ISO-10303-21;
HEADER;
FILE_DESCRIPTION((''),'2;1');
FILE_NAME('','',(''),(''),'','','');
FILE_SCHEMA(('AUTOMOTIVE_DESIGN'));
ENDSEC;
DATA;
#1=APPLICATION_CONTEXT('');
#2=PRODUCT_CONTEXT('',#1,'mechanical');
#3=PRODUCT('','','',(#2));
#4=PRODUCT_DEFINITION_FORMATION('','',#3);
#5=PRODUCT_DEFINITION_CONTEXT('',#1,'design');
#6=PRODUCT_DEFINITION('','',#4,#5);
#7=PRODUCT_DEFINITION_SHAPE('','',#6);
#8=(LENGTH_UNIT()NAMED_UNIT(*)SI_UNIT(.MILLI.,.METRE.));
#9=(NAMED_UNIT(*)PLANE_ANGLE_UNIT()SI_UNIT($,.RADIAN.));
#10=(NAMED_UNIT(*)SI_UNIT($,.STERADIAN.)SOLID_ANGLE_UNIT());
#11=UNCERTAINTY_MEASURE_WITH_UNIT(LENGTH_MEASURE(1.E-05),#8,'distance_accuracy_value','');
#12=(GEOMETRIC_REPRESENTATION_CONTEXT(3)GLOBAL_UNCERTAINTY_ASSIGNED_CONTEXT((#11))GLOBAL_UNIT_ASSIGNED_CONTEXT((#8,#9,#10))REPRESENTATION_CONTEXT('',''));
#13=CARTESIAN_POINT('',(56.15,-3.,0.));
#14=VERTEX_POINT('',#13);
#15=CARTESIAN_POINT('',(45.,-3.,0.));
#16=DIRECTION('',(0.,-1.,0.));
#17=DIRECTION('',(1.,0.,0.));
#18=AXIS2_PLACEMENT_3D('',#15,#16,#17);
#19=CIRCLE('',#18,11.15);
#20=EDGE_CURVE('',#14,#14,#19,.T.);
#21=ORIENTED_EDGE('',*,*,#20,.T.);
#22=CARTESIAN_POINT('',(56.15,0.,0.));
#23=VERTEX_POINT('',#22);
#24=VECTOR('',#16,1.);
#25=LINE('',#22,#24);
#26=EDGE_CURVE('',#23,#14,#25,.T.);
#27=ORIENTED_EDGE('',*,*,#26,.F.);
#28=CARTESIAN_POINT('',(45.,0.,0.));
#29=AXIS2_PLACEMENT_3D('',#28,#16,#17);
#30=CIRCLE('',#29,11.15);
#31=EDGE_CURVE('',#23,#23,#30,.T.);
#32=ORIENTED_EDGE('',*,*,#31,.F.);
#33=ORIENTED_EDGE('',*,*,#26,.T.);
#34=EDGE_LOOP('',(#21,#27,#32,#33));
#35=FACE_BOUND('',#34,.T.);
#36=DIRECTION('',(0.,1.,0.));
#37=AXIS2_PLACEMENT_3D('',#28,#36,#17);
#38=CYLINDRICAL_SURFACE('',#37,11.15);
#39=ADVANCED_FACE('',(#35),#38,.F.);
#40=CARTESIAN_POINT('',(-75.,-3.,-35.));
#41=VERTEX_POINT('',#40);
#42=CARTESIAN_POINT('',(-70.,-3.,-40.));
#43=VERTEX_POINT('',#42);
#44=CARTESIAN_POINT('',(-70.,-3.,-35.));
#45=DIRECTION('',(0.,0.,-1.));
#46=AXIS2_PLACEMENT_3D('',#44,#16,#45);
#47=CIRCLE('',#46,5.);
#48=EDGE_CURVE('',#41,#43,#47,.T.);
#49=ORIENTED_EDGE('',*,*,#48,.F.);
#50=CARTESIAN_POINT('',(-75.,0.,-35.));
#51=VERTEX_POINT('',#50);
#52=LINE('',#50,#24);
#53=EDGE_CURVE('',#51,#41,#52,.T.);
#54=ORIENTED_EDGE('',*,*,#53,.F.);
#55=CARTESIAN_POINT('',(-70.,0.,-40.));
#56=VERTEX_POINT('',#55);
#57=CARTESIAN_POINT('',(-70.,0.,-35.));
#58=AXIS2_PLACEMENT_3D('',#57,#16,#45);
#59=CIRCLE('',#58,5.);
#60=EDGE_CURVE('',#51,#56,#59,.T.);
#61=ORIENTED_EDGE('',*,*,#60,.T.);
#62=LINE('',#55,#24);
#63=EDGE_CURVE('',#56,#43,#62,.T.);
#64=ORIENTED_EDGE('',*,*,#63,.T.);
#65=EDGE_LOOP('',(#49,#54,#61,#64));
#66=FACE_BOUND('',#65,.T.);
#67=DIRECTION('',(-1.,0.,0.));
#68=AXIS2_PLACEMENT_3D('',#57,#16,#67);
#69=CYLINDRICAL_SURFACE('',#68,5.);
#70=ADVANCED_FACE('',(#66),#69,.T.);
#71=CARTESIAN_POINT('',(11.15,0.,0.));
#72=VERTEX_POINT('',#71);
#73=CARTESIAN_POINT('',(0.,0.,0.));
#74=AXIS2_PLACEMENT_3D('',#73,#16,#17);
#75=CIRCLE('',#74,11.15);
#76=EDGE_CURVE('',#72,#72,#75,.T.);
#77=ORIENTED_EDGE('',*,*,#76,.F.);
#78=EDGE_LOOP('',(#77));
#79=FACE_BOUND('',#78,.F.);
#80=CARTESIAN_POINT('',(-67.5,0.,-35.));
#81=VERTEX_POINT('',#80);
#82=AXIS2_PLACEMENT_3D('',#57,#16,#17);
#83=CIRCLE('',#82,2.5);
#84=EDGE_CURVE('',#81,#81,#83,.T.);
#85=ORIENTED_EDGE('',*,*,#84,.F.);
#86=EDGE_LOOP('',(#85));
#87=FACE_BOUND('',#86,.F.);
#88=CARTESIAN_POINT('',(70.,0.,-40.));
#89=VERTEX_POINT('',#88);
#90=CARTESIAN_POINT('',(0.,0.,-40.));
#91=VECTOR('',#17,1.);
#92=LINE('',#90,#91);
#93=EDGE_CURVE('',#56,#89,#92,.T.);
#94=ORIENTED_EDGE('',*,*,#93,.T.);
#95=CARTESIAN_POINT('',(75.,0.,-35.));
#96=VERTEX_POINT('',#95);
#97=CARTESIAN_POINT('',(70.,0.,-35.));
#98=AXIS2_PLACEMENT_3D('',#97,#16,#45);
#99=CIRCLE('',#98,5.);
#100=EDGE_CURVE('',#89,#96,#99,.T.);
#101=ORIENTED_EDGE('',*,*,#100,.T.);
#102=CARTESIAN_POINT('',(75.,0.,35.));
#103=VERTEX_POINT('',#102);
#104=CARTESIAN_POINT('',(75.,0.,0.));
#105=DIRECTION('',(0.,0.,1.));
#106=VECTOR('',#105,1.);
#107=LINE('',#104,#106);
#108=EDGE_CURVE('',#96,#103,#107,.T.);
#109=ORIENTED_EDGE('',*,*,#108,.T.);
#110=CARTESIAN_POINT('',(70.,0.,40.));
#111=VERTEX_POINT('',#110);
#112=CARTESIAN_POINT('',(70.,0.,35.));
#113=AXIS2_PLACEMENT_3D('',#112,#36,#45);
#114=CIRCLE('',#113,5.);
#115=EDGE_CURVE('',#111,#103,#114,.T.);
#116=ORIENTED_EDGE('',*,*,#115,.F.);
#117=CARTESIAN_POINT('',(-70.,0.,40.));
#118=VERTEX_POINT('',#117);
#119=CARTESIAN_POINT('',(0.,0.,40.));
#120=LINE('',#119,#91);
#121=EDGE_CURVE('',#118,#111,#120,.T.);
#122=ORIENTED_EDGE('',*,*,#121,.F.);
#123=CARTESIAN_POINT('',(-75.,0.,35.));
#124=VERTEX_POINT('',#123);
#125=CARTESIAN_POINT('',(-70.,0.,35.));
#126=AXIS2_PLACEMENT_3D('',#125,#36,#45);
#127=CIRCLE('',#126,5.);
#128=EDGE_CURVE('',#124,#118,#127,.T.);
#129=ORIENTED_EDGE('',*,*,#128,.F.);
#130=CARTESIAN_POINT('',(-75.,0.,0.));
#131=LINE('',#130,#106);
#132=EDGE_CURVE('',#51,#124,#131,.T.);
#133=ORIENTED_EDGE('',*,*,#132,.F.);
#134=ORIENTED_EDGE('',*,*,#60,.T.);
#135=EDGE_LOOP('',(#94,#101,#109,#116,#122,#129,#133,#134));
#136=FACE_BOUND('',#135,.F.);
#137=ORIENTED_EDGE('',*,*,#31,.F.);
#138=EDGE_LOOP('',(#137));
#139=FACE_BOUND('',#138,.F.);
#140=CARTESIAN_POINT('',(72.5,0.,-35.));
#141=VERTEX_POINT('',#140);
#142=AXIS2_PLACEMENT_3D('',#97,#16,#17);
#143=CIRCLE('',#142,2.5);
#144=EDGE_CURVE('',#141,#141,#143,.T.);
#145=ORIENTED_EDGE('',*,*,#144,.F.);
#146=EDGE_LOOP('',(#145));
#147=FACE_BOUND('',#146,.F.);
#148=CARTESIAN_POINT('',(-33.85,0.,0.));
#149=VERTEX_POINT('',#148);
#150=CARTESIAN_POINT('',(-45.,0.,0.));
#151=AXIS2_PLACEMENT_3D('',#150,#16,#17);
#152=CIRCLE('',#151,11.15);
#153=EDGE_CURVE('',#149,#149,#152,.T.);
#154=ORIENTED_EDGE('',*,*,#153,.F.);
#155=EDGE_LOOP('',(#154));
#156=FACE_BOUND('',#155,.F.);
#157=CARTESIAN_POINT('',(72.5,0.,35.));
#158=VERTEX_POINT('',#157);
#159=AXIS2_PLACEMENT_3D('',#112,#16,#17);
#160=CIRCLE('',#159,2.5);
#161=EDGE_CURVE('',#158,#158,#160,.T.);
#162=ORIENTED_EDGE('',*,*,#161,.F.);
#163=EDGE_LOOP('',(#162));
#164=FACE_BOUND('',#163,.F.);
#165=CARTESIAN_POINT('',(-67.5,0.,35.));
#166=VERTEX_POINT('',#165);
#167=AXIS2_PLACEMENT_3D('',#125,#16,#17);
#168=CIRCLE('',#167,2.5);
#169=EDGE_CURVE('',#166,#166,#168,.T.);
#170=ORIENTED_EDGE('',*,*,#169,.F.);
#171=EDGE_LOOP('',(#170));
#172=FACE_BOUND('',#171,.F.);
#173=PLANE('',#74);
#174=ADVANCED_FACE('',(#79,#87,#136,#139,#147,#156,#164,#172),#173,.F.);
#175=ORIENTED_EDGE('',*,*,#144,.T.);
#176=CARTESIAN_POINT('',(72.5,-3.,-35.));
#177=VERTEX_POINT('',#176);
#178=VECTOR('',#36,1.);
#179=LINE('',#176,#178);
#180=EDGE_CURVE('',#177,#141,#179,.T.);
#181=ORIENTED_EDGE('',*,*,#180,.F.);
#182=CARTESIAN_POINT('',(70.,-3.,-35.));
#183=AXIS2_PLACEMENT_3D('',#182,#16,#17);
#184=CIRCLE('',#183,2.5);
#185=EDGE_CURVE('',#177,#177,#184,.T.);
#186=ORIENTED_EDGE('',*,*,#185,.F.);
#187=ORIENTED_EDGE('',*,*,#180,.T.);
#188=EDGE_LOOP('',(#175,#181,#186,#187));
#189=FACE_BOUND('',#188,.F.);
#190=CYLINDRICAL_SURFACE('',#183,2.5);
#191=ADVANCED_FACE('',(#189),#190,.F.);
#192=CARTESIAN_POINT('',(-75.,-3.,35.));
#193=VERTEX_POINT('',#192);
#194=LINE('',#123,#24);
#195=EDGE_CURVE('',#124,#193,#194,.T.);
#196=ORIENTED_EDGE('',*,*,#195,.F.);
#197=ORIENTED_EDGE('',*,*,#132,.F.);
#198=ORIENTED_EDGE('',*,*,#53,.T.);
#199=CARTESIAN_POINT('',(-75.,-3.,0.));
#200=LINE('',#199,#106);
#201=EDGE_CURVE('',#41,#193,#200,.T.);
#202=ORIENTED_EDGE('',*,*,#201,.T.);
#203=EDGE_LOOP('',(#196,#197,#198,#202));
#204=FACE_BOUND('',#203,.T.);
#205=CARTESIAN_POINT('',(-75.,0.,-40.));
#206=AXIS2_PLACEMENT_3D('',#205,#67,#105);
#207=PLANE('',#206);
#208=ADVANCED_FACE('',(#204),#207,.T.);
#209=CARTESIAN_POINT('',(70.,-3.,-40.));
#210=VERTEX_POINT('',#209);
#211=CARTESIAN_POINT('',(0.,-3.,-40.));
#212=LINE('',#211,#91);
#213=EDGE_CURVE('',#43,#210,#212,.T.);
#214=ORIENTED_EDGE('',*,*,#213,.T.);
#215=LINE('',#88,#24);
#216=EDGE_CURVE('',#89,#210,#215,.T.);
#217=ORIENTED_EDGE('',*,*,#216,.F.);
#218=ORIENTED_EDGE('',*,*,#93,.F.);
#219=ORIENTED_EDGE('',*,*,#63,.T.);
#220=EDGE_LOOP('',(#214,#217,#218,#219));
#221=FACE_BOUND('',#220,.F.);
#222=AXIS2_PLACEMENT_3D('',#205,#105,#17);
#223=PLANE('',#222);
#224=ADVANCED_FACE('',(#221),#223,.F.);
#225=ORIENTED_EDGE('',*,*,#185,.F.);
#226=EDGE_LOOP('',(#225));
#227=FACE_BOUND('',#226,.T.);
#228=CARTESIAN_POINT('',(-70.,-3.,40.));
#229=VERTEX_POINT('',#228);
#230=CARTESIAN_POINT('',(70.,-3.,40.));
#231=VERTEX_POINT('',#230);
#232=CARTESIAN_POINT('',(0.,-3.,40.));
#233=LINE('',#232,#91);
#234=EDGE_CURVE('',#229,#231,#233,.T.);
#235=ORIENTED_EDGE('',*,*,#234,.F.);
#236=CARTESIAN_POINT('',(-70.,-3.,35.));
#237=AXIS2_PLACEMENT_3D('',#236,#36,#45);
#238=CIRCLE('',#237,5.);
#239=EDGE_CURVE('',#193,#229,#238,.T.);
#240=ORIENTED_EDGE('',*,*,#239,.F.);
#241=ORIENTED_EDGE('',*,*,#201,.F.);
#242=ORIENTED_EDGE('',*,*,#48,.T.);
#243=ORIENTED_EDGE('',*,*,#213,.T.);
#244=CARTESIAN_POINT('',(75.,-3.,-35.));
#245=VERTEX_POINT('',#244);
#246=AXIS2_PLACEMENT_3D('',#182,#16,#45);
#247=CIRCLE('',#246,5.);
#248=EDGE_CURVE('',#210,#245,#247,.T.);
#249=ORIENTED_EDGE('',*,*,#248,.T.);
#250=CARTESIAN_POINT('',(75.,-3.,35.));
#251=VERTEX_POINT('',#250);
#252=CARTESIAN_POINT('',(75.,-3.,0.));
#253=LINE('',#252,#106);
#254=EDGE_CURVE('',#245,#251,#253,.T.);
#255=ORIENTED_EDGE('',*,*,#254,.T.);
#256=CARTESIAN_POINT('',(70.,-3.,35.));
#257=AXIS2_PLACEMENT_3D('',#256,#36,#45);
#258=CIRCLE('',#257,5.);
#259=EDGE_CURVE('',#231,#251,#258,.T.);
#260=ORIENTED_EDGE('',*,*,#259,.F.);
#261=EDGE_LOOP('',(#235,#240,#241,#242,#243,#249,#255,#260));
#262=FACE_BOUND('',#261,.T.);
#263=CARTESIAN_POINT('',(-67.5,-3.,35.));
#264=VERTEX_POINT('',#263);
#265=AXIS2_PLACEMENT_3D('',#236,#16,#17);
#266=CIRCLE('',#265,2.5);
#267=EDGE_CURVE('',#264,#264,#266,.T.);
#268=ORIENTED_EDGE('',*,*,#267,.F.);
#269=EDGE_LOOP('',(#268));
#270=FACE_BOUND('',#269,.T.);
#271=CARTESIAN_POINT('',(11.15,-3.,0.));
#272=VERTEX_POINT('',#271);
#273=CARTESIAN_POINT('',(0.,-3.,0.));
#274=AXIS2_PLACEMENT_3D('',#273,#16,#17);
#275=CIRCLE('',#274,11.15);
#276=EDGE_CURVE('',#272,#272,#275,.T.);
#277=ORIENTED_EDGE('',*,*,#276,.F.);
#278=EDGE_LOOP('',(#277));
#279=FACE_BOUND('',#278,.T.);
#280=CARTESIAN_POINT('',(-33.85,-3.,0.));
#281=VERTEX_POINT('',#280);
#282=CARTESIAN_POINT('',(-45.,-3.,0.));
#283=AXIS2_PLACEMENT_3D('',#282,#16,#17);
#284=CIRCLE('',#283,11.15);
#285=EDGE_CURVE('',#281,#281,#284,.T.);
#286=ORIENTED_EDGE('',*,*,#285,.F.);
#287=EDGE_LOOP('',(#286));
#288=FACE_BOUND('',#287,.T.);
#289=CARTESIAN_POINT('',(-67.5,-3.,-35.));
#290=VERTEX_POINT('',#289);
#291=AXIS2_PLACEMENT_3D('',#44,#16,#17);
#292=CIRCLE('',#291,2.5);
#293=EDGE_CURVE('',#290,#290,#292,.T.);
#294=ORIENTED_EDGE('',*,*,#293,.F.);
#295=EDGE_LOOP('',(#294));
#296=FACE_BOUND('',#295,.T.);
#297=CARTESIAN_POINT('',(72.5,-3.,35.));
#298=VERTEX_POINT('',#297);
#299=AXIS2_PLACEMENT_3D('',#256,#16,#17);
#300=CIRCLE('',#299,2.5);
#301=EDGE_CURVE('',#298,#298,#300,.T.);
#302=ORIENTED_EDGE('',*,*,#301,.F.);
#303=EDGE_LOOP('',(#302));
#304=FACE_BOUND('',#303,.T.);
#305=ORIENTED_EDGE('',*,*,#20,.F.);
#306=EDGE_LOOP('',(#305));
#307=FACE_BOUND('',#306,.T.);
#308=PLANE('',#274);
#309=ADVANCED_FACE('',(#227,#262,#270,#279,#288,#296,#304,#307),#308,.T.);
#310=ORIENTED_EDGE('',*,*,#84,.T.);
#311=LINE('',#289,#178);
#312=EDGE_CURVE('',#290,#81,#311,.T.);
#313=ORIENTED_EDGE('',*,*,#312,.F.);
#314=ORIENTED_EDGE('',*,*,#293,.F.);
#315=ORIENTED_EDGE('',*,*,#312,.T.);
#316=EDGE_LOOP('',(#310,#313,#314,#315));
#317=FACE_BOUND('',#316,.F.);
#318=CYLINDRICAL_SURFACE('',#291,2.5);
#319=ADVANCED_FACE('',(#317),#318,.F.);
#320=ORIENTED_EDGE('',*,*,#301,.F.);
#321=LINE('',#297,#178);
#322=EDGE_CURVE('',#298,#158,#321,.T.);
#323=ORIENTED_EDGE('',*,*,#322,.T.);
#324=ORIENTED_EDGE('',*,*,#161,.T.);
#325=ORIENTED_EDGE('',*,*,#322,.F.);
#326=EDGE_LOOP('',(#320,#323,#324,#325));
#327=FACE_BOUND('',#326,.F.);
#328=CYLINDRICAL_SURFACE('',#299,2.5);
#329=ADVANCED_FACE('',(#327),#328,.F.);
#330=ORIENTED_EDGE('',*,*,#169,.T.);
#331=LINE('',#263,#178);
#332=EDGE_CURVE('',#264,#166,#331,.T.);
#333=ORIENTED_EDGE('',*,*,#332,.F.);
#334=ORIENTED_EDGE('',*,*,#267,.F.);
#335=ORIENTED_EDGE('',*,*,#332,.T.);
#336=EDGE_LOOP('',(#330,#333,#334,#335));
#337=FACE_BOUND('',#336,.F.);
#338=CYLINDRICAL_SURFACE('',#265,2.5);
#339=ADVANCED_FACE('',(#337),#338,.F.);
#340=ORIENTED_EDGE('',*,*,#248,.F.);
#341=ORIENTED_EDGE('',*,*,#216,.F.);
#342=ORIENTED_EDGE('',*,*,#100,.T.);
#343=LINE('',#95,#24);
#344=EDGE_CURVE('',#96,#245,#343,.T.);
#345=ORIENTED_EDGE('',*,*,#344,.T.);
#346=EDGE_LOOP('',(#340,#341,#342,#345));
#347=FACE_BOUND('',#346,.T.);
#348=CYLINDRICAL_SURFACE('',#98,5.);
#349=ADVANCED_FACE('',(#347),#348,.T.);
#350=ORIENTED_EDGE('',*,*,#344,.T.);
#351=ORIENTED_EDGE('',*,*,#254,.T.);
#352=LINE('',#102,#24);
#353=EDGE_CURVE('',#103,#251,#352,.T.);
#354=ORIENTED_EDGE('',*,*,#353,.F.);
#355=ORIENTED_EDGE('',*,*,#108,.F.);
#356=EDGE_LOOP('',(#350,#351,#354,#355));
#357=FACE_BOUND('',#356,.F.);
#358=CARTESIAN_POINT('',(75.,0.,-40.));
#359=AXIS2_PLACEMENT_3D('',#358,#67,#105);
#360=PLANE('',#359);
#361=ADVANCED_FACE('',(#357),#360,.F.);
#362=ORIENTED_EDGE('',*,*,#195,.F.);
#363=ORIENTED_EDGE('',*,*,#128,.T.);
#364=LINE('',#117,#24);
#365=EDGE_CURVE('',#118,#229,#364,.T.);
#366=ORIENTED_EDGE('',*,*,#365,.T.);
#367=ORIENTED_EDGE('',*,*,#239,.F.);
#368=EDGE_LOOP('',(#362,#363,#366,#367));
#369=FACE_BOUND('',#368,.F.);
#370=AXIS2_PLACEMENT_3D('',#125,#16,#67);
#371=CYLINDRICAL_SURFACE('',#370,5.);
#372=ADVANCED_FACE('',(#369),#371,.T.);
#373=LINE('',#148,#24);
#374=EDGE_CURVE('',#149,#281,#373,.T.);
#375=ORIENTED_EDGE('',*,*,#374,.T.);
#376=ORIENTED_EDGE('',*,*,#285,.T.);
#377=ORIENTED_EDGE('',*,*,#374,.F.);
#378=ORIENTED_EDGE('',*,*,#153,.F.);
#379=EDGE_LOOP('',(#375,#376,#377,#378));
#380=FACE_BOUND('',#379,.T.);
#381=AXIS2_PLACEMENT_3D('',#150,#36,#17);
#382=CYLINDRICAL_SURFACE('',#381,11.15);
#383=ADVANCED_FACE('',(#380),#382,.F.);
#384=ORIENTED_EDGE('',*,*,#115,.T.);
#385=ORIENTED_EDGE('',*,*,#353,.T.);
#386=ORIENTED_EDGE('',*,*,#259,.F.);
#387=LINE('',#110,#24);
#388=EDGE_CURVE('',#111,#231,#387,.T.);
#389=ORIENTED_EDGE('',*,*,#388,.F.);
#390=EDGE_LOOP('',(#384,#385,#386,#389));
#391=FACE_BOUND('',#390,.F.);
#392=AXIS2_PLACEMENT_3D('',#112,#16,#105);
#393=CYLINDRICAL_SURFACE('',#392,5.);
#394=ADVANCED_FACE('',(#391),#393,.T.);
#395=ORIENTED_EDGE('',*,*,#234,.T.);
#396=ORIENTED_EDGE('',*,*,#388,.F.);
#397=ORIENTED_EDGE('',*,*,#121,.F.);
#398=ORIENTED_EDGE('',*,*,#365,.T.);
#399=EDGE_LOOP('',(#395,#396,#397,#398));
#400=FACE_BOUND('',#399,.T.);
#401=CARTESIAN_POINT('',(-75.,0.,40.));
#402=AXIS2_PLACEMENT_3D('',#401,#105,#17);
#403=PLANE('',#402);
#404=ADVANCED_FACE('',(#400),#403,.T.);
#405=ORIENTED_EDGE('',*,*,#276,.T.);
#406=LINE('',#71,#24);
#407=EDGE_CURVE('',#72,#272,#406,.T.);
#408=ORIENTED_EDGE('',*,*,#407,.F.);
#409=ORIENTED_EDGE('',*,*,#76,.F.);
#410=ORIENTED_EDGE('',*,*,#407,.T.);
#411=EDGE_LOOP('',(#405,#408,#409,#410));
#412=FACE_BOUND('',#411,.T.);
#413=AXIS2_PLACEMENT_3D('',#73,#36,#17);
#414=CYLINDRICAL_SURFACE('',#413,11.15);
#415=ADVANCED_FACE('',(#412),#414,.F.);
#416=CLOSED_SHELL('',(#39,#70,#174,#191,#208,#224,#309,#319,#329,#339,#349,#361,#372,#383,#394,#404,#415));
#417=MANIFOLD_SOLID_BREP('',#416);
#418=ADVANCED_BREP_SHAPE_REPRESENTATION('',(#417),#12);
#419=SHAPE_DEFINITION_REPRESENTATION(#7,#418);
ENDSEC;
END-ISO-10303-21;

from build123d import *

# Parameters (mm, degrees)
F0_W     = 150
F0_H     = 80
F0_R     = 11.15
F1_DEPTH = 3
F2_R     = 2.5
F3_DEPTH = 3
F4_R     = 5


with BuildPart() as f1:
    # F0 (on Front) → F1 (new body)
    with BuildSketch(Plane.XZ):
        Rectangle(F0_W, F0_H)
        with Locations((-45, 0)):
            Circle(F0_R, mode=Mode.SUBTRACT)
        Circle(F0_R, mode=Mode.SUBTRACT)
        with Locations((45, 0)):
            Circle(F0_R, mode=Mode.SUBTRACT)
    extrude(amount=F1_DEPTH)

    # F2 (on face) → F3 (cut, through all)
    with BuildSketch(Plane.XZ.offset(3)):
        with Locations((-70, 35)):
            Circle(F2_R)
        with Locations((70, 35)):
            Circle(F2_R)
        with Locations((70, -35)):
            Circle(F2_R)
        with Locations((-70, -35)):
            Circle(F2_R)
    extrude(amount=-F3_DEPTH, mode=Mode.SUBTRACT)

    # F4
    f4_edges = [f1.edges().sort_by_distance(p)[0] for p in [
        (-75, -1.5, 40),
        (75, -1.5, 40),
        (75, -1.5, -40),
        (-75, -1.5, -40),
    ]]
    fillet(f4_edges, radius=F4_R)


solid = f1.part
